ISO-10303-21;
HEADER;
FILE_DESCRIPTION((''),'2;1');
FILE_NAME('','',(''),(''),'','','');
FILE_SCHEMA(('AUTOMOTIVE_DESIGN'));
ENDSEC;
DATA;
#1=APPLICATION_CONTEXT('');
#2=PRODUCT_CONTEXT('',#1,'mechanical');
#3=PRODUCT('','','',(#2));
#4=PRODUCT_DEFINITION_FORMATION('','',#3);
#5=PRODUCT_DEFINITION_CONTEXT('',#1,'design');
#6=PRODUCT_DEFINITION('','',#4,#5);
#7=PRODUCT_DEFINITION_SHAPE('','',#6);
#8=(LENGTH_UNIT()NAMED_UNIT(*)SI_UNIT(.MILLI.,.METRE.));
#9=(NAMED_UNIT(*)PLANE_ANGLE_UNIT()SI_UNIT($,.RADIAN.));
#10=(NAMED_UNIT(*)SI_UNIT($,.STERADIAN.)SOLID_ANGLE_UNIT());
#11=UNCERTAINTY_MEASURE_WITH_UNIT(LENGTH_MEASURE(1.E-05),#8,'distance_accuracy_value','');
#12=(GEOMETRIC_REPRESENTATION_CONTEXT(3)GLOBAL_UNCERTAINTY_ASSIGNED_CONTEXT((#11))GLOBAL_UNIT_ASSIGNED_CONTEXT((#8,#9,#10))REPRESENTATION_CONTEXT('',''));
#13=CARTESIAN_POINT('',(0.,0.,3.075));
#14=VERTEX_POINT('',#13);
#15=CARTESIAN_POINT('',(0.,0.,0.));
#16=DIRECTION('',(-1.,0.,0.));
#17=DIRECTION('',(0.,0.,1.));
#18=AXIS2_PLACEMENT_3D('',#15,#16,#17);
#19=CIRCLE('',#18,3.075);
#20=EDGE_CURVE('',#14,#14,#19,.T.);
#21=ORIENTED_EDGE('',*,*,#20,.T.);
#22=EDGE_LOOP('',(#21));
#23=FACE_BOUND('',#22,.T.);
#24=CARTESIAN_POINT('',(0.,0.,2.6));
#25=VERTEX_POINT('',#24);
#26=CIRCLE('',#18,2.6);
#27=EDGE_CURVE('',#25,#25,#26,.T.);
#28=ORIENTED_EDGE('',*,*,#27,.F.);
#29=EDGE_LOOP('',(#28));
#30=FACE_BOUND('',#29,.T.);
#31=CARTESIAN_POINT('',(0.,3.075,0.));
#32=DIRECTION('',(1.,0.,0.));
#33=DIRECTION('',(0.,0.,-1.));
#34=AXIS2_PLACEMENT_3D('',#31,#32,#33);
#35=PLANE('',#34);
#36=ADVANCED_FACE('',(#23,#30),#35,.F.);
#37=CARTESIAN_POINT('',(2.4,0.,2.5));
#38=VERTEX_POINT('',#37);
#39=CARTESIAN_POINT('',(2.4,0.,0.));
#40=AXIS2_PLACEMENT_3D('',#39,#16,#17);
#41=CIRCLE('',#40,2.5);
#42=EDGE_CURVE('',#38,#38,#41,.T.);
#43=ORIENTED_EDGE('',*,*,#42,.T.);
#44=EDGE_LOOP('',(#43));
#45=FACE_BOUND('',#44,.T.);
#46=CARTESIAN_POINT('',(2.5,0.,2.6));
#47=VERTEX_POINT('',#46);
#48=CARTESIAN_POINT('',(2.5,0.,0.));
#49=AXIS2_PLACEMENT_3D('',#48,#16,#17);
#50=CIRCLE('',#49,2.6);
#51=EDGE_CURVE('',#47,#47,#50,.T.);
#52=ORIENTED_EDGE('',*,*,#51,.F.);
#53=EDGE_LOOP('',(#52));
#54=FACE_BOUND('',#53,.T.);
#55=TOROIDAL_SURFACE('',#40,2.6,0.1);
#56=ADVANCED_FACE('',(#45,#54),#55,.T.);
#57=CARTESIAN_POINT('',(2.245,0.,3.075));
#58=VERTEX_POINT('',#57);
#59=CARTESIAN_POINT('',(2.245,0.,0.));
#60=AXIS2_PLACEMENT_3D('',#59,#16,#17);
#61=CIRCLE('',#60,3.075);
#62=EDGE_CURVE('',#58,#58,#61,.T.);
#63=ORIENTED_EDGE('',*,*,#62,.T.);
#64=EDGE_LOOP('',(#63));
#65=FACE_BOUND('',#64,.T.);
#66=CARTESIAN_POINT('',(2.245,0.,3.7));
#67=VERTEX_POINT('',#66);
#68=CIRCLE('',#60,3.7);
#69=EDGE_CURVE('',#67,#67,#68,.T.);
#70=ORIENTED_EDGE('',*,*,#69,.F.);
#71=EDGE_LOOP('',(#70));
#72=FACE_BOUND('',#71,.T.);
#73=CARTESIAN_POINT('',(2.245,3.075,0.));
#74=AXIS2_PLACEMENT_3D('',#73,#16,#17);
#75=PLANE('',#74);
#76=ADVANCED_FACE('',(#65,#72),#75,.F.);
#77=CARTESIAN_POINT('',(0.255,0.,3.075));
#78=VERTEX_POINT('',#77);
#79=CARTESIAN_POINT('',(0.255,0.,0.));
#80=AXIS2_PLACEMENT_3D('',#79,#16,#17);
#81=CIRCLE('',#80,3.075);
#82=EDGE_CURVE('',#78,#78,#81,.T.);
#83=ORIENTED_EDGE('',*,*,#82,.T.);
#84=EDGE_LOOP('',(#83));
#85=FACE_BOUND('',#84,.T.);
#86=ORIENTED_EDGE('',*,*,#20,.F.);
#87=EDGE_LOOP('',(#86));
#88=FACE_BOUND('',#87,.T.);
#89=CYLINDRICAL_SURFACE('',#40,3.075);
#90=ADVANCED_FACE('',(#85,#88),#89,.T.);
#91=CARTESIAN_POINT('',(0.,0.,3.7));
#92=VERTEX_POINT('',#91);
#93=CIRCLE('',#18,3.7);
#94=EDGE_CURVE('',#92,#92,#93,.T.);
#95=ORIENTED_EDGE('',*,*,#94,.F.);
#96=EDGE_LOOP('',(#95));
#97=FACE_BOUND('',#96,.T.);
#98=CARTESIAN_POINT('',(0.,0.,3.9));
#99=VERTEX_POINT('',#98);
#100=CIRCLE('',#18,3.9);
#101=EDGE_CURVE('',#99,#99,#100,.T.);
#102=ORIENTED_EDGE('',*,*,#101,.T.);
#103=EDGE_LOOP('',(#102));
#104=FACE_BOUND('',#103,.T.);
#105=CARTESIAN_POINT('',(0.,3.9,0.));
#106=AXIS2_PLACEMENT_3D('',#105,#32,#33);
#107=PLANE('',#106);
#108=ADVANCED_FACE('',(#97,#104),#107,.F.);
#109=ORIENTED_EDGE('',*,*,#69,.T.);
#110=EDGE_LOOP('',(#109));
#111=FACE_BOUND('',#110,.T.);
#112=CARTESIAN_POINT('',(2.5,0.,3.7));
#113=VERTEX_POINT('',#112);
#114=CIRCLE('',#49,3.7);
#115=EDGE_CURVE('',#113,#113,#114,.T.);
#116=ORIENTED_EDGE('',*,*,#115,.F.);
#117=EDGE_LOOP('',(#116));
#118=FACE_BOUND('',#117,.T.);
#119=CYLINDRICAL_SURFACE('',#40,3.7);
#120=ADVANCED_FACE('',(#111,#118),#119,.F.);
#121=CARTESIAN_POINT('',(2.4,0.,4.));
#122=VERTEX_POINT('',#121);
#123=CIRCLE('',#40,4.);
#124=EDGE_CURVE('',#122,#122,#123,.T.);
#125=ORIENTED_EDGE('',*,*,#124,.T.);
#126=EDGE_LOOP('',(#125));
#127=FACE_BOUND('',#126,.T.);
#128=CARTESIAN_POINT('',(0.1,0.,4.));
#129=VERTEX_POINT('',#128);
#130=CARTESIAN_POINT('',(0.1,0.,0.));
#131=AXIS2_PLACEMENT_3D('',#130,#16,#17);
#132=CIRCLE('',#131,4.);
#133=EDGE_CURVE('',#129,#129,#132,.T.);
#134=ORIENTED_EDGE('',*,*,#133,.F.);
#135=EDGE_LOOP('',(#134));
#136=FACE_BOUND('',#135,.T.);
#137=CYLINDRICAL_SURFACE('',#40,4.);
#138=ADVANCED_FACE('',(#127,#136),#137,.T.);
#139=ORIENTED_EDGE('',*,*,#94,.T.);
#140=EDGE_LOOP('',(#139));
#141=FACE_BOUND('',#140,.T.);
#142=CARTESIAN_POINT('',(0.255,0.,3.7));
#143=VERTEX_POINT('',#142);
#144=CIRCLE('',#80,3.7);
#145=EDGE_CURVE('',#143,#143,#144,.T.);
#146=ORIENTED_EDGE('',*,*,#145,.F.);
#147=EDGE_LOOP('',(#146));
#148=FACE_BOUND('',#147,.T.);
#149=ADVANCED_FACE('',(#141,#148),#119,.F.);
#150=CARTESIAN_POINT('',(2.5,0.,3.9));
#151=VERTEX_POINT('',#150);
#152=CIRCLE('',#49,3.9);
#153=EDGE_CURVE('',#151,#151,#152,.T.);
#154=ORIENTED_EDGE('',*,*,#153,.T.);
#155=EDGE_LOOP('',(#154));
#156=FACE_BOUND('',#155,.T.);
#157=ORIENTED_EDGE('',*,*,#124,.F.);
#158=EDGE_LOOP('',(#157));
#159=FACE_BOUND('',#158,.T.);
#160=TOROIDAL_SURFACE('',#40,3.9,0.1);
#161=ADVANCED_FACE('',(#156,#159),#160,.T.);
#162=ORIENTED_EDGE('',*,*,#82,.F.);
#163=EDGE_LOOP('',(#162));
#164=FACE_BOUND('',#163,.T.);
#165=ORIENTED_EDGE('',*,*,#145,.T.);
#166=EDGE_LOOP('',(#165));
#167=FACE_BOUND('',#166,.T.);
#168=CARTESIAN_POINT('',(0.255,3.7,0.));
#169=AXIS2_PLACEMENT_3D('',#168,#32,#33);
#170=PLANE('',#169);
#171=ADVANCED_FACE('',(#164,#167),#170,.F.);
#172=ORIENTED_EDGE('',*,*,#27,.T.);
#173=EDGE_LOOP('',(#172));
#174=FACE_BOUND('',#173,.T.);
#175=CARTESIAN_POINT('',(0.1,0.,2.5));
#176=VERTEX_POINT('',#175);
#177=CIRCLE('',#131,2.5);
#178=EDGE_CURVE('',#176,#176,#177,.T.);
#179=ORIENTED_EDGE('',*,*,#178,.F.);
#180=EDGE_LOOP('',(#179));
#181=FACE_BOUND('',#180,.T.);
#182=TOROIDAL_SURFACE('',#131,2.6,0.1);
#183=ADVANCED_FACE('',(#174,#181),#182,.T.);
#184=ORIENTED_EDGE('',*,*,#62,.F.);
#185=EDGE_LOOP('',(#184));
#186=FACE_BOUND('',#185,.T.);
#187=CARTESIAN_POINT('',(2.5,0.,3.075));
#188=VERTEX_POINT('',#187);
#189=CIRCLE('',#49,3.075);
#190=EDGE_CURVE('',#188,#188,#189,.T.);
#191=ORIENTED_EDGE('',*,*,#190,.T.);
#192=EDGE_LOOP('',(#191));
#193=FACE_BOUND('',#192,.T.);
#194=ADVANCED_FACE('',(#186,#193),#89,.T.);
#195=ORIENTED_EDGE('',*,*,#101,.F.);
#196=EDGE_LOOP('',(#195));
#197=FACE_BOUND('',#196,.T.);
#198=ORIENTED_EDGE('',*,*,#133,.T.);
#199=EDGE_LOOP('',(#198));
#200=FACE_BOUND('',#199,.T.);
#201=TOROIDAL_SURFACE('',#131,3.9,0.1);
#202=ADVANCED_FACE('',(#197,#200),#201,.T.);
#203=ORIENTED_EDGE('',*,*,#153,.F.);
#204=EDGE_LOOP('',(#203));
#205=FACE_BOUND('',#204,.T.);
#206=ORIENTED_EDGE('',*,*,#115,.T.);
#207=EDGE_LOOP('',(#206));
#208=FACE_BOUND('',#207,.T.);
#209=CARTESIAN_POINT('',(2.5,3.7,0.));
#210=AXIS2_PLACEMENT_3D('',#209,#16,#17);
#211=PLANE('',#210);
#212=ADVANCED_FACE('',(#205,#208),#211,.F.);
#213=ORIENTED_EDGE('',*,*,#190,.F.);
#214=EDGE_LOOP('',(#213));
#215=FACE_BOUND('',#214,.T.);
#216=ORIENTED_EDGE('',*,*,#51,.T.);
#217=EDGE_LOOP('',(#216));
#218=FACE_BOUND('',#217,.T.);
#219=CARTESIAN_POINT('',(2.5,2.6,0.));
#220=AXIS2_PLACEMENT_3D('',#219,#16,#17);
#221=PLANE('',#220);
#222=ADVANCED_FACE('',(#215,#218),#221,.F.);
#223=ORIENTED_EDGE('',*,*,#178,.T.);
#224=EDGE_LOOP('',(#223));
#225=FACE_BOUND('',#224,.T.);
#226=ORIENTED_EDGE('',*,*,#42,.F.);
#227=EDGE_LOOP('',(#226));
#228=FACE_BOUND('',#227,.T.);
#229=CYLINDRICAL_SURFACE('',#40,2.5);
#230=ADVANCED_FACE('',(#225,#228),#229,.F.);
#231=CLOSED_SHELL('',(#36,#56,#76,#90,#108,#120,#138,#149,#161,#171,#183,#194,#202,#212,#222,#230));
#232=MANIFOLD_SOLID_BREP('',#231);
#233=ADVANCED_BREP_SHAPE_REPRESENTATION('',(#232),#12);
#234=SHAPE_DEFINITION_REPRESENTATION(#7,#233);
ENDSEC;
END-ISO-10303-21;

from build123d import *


with BuildPart() as part:
    # Sketch1 → Revolve1 (revolve)
    with BuildSketch(Plane.XY):
        with BuildLine():
            Line((0, 3.9), (0, 3.7))
            Line((0, 3.7), (0.255, 3.7))
            Line((0.255, 3.7), (0.255, 3.075))
            Line((0.255, 3.075), (0, 3.075))
            Line((0, 3.075), (0, 2.6))
            ThreePointArc((0, 2.6), (0.029289322, 2.529289322), (0.1, 2.5))
            Line((0.1, 2.5), (2.4, 2.5))
            ThreePointArc((2.4, 2.5), (2.470710678, 2.529289322), (2.5, 2.6))
            Line((2.5, 2.6), (2.5, 3.075))
            Line((2.5, 3.075), (2.245, 3.075))
            Line((2.245, 3.075), (2.245, 3.7))
            Line((2.245, 3.7), (2.5, 3.7))
            Line((2.5, 3.7), (2.5, 3.9))
            ThreePointArc((2.5, 3.9), (2.470710678, 3.970710678), (2.4, 4))
            Line((2.4, 4), (0.1, 4))
            ThreePointArc((0.1, 4), (0.029289322, 3.970710678), (0, 3.9))
        make_face()
    revolve(axis=Axis((2.4, 0, 0), (-1, 0, 0)))


solid = part.part
